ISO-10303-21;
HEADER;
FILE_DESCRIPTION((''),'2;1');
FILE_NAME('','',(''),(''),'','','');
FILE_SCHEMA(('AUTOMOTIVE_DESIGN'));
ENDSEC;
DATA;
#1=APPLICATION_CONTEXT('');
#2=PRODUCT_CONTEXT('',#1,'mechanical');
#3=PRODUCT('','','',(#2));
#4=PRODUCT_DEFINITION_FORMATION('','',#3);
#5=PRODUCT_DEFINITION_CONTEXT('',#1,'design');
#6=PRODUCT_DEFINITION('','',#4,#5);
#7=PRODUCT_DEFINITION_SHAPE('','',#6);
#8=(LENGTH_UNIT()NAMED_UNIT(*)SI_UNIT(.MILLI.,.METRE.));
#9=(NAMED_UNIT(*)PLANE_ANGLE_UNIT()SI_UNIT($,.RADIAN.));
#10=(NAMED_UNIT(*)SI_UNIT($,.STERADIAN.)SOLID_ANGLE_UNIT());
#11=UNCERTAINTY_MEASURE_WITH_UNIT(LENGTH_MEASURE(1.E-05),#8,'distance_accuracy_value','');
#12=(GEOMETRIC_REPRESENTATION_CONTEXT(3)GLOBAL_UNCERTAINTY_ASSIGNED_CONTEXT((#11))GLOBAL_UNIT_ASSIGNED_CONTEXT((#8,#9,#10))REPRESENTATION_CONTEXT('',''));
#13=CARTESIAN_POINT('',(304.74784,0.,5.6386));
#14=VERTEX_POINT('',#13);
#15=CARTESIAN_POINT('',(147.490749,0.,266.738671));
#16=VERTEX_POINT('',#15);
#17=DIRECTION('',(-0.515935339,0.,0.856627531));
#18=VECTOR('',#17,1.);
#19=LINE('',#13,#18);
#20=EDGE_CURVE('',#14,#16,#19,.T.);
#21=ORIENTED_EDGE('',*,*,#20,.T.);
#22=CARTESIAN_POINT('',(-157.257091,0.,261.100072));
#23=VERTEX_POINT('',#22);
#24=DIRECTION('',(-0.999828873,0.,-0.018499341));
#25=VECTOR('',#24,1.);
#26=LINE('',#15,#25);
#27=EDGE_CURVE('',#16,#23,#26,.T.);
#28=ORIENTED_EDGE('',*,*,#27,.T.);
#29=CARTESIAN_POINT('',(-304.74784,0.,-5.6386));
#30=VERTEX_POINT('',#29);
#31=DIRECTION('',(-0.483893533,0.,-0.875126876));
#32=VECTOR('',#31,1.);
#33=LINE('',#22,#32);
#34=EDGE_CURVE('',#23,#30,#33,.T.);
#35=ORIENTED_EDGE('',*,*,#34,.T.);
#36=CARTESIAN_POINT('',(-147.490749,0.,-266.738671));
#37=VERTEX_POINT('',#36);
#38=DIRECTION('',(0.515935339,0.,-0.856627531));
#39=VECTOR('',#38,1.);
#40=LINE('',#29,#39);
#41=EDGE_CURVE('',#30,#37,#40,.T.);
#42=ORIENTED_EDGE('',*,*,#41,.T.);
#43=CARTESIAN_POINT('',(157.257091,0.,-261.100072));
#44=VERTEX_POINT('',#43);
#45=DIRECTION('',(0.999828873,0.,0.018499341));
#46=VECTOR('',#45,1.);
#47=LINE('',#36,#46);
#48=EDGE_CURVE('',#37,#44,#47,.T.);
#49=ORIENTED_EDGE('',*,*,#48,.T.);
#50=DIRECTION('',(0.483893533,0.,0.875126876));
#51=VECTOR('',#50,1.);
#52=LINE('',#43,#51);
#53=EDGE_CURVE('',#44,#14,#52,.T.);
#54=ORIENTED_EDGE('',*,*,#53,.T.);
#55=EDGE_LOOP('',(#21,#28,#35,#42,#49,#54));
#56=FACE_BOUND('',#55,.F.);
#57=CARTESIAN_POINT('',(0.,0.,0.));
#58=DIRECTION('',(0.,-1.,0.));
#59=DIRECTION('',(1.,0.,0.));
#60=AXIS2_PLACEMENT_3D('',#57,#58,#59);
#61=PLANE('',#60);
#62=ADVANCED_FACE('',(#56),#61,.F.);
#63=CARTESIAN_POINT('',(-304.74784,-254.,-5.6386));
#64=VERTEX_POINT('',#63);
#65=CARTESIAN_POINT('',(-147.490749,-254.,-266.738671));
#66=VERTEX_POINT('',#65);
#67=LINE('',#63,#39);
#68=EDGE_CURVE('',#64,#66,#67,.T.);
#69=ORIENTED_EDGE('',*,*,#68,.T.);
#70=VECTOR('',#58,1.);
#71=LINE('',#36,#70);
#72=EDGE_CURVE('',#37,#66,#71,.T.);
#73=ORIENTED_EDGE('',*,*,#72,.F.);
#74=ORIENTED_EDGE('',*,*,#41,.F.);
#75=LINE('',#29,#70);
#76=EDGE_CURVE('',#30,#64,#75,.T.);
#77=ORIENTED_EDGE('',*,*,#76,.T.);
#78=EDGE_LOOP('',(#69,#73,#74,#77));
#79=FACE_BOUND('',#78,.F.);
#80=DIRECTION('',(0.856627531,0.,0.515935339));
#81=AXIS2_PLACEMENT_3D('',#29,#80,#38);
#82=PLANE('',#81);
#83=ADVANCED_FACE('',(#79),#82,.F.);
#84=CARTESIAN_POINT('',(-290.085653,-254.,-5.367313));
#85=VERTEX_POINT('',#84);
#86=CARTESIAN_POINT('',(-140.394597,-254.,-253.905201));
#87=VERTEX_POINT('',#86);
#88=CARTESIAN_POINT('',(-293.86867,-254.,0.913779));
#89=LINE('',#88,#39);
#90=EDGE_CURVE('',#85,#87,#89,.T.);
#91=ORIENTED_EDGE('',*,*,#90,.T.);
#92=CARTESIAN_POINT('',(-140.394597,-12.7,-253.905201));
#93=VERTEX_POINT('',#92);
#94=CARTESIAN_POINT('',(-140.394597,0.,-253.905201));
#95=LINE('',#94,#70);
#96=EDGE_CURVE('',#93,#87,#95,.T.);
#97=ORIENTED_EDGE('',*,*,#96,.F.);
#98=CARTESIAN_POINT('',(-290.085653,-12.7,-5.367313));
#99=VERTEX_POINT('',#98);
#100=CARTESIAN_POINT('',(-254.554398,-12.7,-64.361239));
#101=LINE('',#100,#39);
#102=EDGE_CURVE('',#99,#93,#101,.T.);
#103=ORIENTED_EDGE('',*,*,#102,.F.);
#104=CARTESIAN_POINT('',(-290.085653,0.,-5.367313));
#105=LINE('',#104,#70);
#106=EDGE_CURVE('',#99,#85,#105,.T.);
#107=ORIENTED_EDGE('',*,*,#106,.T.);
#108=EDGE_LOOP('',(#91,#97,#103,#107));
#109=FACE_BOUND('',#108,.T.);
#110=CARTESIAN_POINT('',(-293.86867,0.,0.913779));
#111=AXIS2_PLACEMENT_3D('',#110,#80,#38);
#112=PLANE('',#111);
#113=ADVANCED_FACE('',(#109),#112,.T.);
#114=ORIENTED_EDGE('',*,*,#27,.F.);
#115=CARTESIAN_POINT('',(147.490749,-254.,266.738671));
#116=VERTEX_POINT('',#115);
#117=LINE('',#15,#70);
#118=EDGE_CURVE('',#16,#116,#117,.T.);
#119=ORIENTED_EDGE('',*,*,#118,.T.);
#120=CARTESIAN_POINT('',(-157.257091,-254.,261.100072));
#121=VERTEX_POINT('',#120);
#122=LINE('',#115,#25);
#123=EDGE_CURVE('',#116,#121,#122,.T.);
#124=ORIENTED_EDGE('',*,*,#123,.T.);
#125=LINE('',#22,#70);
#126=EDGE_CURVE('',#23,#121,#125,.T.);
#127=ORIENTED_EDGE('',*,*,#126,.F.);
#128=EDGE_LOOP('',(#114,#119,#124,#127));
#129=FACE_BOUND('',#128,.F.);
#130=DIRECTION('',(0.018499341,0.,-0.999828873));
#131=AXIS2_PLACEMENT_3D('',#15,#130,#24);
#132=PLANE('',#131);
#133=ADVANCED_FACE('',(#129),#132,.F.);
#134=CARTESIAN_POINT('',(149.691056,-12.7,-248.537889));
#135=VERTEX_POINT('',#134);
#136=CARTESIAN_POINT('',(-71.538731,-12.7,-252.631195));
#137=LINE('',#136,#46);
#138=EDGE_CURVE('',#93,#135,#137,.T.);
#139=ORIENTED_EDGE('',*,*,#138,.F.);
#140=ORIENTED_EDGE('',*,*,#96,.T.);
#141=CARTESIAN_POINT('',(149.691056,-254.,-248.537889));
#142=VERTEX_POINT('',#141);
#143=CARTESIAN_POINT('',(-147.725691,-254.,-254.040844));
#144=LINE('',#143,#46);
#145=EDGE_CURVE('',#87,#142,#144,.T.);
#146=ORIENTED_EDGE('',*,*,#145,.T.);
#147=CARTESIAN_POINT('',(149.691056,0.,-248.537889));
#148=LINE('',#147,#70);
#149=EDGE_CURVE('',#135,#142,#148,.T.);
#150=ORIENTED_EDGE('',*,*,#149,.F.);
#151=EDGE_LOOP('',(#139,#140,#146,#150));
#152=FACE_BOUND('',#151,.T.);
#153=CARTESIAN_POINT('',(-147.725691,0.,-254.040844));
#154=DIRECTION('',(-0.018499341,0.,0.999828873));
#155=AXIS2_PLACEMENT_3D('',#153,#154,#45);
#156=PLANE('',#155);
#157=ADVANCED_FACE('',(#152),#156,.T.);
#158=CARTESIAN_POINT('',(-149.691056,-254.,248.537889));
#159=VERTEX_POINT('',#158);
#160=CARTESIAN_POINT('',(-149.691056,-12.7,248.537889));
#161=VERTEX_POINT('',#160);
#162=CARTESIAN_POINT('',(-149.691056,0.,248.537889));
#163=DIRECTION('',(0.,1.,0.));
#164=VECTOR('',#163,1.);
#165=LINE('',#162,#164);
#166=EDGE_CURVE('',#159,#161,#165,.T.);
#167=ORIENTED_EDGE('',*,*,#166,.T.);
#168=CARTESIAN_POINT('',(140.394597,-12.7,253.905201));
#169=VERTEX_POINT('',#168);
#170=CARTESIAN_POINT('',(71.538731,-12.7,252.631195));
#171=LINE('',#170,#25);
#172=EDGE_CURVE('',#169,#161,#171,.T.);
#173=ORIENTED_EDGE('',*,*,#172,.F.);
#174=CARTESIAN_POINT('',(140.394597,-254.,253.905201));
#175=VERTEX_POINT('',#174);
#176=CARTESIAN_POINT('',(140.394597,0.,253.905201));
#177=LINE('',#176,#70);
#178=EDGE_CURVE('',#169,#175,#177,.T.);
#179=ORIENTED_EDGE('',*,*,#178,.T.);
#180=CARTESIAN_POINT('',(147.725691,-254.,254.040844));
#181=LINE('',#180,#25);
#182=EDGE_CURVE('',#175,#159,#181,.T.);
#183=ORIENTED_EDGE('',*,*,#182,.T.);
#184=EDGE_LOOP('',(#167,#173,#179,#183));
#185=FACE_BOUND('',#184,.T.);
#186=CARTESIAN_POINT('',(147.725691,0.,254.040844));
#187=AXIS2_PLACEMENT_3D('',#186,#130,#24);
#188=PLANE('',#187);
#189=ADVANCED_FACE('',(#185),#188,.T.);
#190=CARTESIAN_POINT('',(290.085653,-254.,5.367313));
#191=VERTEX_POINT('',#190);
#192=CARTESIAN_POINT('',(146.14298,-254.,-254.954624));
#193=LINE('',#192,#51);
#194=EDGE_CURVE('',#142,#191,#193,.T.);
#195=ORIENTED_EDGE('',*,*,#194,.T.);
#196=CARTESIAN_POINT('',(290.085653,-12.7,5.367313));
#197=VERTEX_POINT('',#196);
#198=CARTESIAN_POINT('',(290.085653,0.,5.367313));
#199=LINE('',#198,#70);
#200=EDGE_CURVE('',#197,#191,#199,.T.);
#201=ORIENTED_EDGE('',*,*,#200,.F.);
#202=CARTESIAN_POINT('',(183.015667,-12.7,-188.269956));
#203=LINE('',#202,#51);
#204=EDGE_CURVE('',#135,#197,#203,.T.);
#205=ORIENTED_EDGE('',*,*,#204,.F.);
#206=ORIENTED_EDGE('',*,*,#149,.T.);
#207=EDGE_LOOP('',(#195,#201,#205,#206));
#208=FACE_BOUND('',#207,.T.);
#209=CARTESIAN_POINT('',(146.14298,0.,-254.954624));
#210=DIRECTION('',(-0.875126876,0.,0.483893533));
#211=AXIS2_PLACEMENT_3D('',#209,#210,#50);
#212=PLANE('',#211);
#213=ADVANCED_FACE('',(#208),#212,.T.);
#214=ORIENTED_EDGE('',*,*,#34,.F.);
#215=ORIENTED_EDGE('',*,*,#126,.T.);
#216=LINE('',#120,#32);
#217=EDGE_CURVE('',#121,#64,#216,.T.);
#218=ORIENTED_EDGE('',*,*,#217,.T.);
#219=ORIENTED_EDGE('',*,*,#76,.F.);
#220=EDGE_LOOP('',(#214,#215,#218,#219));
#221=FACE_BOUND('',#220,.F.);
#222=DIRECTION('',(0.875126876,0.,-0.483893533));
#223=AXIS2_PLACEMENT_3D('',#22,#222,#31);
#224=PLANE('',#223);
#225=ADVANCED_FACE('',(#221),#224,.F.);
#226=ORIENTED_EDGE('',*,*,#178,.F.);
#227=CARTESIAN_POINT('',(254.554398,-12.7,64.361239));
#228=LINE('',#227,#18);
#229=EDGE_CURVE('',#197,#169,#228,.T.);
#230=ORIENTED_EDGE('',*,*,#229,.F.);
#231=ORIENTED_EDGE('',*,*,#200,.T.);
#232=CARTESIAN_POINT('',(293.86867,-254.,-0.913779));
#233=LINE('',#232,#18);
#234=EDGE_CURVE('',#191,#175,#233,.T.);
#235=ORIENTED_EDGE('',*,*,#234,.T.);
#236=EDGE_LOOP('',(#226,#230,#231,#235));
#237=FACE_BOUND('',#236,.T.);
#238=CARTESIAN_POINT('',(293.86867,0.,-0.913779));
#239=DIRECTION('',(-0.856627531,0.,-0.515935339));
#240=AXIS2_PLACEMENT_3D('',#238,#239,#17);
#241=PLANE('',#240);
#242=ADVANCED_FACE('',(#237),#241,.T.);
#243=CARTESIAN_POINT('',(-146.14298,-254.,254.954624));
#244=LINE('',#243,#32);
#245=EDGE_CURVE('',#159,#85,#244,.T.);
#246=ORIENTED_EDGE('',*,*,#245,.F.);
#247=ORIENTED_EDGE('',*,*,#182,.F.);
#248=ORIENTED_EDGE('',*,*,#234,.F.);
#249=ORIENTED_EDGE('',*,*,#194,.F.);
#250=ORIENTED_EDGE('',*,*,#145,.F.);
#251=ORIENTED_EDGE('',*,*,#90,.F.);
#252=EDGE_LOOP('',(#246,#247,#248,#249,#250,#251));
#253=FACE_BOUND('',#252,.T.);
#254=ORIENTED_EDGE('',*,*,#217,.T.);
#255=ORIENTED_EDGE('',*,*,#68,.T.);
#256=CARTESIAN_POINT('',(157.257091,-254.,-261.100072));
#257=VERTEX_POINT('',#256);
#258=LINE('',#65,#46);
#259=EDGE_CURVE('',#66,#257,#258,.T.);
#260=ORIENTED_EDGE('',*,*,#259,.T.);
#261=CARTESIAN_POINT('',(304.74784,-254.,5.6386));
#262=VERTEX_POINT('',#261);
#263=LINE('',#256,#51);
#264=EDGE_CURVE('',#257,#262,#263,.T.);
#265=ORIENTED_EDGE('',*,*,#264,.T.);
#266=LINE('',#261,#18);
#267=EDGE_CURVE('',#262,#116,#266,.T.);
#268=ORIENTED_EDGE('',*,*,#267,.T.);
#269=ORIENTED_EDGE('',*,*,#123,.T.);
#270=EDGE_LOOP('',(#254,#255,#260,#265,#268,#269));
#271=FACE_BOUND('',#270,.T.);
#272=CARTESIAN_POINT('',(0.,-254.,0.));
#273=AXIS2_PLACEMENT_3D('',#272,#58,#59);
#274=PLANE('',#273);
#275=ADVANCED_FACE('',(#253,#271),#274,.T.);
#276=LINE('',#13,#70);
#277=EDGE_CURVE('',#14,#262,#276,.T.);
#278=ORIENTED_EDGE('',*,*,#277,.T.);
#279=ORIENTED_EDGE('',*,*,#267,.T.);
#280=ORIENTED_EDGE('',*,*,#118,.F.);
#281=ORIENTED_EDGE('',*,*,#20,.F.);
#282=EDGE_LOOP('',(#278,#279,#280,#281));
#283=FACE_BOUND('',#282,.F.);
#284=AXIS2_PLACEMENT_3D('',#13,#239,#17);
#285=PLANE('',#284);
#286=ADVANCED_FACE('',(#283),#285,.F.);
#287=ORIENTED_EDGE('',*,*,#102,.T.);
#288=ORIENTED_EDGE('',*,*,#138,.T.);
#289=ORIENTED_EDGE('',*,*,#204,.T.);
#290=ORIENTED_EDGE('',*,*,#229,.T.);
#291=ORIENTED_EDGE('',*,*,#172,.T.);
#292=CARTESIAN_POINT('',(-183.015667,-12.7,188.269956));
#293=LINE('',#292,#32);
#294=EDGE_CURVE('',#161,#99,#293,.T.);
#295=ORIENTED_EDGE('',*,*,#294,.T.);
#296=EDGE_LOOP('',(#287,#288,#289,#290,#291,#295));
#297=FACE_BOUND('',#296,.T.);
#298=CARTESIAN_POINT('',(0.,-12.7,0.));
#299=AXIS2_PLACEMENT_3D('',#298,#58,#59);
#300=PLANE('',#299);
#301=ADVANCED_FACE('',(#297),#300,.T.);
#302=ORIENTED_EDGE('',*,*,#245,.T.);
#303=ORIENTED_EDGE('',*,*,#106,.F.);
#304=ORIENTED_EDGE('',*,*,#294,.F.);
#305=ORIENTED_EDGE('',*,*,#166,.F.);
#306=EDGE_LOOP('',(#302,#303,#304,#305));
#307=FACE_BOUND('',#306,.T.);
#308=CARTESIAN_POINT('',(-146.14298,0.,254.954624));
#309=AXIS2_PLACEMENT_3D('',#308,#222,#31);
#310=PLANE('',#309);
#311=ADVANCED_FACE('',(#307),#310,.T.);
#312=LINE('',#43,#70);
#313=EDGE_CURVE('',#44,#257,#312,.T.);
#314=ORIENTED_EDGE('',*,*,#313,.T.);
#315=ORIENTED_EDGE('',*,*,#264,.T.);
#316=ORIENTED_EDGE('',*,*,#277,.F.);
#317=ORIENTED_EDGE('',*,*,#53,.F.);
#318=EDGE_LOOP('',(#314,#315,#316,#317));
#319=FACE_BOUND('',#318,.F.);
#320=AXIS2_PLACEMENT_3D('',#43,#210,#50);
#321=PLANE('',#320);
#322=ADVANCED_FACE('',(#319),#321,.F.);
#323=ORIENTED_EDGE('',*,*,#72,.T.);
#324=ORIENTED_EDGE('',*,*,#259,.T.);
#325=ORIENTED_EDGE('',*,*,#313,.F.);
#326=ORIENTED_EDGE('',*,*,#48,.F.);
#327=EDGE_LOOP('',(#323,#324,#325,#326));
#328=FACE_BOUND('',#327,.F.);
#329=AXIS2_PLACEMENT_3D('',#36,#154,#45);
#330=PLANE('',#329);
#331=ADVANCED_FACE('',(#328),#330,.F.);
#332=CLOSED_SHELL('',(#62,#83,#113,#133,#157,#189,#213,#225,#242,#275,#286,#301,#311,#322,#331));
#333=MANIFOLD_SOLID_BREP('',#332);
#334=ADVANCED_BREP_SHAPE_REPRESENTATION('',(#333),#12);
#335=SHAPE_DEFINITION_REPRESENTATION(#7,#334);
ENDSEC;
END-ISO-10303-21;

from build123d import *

# Parameters (mm, degrees)
F1_DEPTH = 254
F2_T     = -12.7


with BuildPart() as f1:
    # F0 (on Front) → F1 (new body)
    with BuildSketch(Plane.XZ):
        Polygon((-157.257091, 261.100072), (-304.74784, -5.6386), (-147.490749, -266.738671), (157.257091, -261.100072), (304.74784, 5.6386), (147.490749, 266.738671), align=None)
    extrude(amount=F1_DEPTH)

    # F2
    f2_openings = [f1.faces().sort_by_distance(p)[0] for p in [
        (0, -254, 0),
    ]]
    offset(amount=F2_T, openings=f2_openings)


with BuildPart() as f3_1:
    # F3: copy of F1
    add(f1.part.moved(Location((557.77382, 0, 309.68302))))


solid = f1.part
